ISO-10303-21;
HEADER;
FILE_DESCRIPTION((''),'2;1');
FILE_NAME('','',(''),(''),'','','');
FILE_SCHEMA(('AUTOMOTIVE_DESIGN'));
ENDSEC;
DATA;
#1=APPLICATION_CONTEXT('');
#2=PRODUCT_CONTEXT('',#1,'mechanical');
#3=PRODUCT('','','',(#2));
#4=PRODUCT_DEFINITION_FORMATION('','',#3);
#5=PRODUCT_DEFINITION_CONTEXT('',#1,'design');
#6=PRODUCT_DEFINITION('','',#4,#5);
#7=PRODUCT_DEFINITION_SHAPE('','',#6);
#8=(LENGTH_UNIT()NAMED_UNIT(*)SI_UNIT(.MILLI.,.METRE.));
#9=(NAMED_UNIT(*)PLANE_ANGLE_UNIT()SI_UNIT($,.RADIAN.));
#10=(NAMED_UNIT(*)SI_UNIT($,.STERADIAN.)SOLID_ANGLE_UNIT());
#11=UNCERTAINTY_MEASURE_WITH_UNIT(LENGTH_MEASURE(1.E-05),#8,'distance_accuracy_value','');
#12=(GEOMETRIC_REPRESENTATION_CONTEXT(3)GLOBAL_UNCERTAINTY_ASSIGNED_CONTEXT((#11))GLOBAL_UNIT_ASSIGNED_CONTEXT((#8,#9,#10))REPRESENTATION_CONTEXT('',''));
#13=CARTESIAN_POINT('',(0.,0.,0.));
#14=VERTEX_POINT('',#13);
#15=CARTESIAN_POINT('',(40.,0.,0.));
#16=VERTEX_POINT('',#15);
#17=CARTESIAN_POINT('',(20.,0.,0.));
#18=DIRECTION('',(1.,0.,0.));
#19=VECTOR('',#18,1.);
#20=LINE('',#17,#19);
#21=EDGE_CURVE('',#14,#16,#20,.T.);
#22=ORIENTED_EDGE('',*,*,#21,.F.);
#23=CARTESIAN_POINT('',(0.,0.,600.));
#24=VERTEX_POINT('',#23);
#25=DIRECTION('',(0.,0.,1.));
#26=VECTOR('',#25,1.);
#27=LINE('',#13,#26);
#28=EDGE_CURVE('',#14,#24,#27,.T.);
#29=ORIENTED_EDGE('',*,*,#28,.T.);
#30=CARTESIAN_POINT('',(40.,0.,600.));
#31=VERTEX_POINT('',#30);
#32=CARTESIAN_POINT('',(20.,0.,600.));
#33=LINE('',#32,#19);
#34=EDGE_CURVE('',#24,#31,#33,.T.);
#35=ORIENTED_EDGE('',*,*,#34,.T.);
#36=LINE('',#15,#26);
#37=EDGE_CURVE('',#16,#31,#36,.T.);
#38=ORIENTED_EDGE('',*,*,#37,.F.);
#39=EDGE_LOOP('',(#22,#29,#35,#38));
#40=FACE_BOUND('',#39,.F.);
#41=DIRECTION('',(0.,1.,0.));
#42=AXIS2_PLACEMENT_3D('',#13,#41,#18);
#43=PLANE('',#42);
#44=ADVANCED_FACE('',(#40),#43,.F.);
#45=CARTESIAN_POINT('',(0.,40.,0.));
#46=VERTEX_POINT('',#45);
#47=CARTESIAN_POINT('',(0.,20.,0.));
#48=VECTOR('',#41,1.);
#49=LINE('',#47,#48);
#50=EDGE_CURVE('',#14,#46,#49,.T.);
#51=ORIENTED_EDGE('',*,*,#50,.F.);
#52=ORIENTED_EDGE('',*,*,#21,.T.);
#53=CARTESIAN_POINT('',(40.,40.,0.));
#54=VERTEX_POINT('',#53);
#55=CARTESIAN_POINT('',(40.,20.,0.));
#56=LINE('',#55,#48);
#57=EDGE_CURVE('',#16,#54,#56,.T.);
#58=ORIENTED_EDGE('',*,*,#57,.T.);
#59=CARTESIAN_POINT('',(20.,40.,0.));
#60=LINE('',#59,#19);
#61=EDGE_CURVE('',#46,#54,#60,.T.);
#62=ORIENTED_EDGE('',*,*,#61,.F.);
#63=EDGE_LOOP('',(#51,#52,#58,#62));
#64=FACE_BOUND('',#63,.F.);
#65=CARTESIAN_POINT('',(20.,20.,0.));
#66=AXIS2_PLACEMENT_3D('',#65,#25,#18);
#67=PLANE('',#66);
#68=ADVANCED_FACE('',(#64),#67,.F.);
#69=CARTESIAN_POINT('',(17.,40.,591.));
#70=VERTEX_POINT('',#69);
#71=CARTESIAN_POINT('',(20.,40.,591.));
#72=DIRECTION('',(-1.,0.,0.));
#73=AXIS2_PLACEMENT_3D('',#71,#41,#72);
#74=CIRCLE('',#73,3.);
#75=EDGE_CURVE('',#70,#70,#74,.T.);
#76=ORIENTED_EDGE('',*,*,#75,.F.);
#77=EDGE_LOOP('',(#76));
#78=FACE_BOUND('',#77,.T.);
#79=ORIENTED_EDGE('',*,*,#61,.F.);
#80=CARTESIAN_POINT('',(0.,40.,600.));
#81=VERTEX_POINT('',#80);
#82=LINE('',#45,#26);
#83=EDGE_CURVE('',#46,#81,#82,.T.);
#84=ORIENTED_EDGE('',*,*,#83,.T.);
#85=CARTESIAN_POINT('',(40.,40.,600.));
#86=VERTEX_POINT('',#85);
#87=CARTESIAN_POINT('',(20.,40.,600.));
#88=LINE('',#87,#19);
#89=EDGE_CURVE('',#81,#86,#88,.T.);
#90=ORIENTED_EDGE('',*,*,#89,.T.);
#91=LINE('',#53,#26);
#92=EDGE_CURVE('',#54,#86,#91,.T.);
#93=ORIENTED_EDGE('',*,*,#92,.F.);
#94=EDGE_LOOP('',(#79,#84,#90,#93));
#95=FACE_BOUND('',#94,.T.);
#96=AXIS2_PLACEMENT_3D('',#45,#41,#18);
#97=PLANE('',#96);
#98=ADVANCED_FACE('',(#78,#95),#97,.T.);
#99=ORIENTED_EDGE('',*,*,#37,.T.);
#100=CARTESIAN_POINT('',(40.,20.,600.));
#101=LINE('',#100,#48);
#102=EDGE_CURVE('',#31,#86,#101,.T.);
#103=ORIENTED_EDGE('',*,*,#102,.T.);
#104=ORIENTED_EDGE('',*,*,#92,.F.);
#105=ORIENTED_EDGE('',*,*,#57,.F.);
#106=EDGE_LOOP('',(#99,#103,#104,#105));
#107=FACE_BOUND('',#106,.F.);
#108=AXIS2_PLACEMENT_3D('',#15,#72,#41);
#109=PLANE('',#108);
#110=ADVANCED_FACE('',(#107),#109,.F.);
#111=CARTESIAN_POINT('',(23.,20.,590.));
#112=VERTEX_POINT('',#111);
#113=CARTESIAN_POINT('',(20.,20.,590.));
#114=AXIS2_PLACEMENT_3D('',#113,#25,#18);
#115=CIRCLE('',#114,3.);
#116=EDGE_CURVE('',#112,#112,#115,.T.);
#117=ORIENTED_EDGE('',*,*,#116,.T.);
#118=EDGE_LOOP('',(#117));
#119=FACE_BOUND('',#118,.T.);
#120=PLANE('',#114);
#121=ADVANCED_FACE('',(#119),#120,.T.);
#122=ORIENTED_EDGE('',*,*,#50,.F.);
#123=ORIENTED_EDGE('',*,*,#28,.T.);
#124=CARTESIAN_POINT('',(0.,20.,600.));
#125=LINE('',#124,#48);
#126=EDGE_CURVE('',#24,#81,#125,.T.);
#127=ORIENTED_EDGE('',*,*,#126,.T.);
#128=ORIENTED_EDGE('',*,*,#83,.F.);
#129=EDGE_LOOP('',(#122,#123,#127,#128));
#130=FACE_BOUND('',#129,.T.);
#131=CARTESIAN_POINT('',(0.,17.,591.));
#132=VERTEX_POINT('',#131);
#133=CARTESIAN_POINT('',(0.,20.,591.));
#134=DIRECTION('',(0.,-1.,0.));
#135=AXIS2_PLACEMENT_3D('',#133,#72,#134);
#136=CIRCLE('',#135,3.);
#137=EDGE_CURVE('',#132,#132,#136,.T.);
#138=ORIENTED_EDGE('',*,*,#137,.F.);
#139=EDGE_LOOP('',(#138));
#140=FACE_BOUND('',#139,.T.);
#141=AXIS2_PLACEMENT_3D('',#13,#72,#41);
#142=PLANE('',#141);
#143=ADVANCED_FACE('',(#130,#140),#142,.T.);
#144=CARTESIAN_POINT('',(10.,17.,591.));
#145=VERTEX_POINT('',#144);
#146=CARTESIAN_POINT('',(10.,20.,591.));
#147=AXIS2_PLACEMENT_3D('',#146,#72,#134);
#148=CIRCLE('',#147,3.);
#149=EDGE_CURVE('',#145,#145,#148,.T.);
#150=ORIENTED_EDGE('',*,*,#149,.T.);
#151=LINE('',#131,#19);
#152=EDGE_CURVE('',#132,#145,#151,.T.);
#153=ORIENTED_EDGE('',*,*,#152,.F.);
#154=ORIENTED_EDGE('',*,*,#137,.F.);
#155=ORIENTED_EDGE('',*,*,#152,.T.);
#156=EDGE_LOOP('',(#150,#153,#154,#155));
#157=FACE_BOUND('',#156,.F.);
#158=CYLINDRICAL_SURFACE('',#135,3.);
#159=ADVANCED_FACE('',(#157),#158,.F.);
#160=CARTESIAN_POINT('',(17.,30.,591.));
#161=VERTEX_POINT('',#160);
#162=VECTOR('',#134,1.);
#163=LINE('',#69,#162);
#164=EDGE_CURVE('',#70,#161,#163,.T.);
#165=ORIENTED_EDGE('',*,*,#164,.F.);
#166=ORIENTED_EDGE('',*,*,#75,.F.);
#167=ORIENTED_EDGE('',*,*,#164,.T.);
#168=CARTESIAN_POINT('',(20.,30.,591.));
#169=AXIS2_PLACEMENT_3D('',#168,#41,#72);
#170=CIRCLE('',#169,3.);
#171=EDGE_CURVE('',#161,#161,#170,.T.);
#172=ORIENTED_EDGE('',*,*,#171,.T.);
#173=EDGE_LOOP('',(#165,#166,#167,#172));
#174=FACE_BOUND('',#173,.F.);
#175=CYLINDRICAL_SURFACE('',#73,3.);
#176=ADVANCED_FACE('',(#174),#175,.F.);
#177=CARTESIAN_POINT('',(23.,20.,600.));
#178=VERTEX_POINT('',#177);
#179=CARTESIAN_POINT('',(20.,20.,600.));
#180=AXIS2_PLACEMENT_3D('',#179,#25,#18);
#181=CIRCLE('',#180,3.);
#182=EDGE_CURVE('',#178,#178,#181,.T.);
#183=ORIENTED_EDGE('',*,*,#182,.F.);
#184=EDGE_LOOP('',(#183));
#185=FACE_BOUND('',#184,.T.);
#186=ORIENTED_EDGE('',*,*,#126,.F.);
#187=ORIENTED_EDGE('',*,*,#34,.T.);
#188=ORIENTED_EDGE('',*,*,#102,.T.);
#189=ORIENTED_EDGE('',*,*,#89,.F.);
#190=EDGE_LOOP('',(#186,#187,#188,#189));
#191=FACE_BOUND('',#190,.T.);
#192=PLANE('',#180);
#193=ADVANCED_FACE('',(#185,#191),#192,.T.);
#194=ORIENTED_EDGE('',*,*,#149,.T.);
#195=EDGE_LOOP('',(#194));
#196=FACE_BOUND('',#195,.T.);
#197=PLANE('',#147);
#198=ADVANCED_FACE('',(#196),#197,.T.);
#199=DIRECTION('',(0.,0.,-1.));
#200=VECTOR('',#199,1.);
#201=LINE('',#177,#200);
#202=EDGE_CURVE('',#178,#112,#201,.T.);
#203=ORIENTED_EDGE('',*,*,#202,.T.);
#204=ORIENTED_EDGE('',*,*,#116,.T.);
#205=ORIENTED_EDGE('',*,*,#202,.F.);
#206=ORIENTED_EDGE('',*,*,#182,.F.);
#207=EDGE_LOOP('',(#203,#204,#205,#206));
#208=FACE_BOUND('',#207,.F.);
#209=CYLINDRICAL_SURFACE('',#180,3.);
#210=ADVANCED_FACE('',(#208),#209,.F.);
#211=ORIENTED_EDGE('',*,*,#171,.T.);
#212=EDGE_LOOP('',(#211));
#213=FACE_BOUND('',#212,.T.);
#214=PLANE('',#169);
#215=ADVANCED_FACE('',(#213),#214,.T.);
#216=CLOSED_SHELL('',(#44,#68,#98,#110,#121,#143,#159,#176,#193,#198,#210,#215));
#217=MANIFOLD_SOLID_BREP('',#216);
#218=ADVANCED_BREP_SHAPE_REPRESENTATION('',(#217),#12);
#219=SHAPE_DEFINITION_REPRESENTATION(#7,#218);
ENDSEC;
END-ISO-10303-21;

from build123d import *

# Parameters (mm, degrees)
F0_W     = 40
F0_H     = 40
F1_DEPTH = 600
F2_R     = 3
F3_DEPTH = 10
F4_R     = 3
F5_DEPTH = 10
F6_R     = 3
F7_DEPTH = 10


with BuildPart() as f1:
    # F0 (on Top) → F1 (new body)
    with BuildSketch(Plane.XY):
        with Locations((20, 20)):
            Rectangle(F0_W, F0_H)
    extrude(amount=F1_DEPTH)

    # F2 (on face) → F3 (cut)
    with BuildSketch(Plane(origin=(0, 0, 0), x_dir=(0, -1, 0), z_dir=(-1, 0, 0))):
        with Locations((-20, 591)):
            Circle(F2_R)
    extrude(amount=-F3_DEPTH, mode=Mode.SUBTRACT)

    # F4 (on face) → F5 (cut)
    with BuildSketch(Plane(origin=(0, 40, 0), x_dir=(-1, 0, 0), z_dir=(0, 1, 0))):
        with Locations((-20, 591)):
            Circle(F4_R)
    extrude(amount=-F5_DEPTH, mode=Mode.SUBTRACT)

    # F6 (on face) → F7 (cut)
    with BuildSketch(Plane.XY.offset(600)):
        with Locations((20, 20)):
            Circle(F6_R)
    extrude(amount=-F7_DEPTH, mode=Mode.SUBTRACT)


solid = f1.part
